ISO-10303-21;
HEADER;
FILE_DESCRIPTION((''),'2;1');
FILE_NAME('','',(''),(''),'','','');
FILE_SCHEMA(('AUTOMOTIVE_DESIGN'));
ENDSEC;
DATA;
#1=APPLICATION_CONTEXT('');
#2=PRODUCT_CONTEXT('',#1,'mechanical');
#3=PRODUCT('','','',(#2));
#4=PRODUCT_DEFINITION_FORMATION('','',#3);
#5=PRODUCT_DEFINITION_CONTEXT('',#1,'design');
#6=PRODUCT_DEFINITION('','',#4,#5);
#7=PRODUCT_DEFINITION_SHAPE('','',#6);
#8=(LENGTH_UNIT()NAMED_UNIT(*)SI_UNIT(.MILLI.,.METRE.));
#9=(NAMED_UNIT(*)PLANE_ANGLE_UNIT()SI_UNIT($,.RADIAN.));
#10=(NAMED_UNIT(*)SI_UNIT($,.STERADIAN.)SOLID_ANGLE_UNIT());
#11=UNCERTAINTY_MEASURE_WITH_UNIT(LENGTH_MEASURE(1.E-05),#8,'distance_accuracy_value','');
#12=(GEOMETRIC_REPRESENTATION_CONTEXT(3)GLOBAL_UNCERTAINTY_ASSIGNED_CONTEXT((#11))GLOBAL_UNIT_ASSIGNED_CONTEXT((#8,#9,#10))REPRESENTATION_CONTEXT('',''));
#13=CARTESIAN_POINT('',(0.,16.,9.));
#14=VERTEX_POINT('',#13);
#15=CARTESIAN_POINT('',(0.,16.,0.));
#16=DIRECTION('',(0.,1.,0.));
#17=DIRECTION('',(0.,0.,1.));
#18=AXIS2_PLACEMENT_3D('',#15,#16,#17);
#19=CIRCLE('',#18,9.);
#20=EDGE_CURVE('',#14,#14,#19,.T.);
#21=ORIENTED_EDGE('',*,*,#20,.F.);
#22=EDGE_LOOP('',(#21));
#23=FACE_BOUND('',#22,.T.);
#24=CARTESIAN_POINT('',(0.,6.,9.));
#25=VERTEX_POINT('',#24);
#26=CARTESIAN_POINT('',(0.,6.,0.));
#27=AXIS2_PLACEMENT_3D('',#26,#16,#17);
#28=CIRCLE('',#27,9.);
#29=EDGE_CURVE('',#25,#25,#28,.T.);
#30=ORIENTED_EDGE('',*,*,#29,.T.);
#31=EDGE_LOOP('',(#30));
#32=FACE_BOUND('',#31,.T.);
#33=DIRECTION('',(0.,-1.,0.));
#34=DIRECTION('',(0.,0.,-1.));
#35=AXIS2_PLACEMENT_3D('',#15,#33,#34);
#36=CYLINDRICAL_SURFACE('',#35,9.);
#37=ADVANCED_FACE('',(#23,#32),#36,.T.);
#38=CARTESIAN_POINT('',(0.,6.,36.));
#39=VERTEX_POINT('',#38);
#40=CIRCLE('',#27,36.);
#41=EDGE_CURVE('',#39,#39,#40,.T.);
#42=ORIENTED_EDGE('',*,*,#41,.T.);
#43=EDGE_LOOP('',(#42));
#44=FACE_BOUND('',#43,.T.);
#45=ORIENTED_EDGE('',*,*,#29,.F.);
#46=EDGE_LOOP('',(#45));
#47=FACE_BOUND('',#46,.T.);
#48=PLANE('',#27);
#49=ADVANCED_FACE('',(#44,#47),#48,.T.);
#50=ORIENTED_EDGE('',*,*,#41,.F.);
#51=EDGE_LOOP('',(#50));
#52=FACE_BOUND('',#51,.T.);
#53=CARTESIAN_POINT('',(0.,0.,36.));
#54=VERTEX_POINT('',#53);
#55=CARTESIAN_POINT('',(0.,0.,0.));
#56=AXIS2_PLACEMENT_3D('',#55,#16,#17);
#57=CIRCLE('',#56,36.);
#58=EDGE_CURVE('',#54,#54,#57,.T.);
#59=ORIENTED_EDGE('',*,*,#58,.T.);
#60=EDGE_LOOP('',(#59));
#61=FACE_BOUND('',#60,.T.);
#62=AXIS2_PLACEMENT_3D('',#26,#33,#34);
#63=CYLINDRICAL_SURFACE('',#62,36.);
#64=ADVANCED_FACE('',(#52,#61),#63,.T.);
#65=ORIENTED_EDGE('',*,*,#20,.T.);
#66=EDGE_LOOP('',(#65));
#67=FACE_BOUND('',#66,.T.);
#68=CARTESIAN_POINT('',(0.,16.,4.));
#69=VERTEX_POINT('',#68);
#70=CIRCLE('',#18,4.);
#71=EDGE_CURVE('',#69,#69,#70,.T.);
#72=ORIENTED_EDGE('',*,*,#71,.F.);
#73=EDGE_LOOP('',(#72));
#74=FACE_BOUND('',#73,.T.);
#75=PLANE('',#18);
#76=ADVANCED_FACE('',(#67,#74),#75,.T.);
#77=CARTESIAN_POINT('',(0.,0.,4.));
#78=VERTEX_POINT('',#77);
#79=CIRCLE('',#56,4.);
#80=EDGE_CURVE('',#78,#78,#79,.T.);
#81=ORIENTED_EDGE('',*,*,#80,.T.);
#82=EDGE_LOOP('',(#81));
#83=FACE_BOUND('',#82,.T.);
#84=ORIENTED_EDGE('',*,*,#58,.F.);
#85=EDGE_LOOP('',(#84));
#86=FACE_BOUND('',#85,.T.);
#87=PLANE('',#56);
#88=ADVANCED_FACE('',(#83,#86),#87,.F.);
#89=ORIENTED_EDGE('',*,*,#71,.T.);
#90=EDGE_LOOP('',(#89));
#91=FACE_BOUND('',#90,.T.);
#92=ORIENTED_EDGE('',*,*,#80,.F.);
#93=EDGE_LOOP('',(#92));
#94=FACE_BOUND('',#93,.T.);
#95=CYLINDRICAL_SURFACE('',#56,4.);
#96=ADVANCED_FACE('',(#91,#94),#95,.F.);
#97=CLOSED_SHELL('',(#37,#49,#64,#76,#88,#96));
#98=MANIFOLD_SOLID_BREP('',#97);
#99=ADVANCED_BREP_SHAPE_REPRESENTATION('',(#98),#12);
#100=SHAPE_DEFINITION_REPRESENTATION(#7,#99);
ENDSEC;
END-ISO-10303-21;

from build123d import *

# Parameters (mm, degrees)
SKETCH1_R           = 36
BOSS_EXTRUDE1_DEPTH = 6
SKETCH2_R           = 9
BOSS_EXTRUDE2_DEPTH = 10
SKETCH3_R           = 4
CUT_EXTRUDE1_DEPTH  = 54.366656257


with BuildPart() as part:
    # Sketch1 → Boss-Extrude1 (new body)
    with BuildSketch(Plane(origin=(0, 0, 0), x_dir=(1, 0, 0), z_dir=(0, 1, 0))):
        with Locations(Location((0, 0, 0), (0, 0, 270))):
            Circle(SKETCH1_R)
    extrude(amount=BOSS_EXTRUDE1_DEPTH)

    # Sketch2 → Boss-Extrude2 (add)
    with BuildSketch(Plane(origin=(0, 6, 0), x_dir=(1, 0, 0), z_dir=(0, 1, 0))):
        with Locations(Location((0, 0, 0), (0, 0, 270))):
            Circle(SKETCH2_R)
    extrude(amount=BOSS_EXTRUDE2_DEPTH)

    # Sketch3 → Cut-Extrude1 (cut, through all)
    with BuildSketch(Plane(origin=(0, 16, 0), x_dir=(1, 0, 0), z_dir=(0, 1, 0))):
        with Locations(Location((0, 0, 0), (0, 0, 270))):
            Circle(SKETCH3_R)
    extrude(amount=-CUT_EXTRUDE1_DEPTH, mode=Mode.SUBTRACT)


solid = part.part
